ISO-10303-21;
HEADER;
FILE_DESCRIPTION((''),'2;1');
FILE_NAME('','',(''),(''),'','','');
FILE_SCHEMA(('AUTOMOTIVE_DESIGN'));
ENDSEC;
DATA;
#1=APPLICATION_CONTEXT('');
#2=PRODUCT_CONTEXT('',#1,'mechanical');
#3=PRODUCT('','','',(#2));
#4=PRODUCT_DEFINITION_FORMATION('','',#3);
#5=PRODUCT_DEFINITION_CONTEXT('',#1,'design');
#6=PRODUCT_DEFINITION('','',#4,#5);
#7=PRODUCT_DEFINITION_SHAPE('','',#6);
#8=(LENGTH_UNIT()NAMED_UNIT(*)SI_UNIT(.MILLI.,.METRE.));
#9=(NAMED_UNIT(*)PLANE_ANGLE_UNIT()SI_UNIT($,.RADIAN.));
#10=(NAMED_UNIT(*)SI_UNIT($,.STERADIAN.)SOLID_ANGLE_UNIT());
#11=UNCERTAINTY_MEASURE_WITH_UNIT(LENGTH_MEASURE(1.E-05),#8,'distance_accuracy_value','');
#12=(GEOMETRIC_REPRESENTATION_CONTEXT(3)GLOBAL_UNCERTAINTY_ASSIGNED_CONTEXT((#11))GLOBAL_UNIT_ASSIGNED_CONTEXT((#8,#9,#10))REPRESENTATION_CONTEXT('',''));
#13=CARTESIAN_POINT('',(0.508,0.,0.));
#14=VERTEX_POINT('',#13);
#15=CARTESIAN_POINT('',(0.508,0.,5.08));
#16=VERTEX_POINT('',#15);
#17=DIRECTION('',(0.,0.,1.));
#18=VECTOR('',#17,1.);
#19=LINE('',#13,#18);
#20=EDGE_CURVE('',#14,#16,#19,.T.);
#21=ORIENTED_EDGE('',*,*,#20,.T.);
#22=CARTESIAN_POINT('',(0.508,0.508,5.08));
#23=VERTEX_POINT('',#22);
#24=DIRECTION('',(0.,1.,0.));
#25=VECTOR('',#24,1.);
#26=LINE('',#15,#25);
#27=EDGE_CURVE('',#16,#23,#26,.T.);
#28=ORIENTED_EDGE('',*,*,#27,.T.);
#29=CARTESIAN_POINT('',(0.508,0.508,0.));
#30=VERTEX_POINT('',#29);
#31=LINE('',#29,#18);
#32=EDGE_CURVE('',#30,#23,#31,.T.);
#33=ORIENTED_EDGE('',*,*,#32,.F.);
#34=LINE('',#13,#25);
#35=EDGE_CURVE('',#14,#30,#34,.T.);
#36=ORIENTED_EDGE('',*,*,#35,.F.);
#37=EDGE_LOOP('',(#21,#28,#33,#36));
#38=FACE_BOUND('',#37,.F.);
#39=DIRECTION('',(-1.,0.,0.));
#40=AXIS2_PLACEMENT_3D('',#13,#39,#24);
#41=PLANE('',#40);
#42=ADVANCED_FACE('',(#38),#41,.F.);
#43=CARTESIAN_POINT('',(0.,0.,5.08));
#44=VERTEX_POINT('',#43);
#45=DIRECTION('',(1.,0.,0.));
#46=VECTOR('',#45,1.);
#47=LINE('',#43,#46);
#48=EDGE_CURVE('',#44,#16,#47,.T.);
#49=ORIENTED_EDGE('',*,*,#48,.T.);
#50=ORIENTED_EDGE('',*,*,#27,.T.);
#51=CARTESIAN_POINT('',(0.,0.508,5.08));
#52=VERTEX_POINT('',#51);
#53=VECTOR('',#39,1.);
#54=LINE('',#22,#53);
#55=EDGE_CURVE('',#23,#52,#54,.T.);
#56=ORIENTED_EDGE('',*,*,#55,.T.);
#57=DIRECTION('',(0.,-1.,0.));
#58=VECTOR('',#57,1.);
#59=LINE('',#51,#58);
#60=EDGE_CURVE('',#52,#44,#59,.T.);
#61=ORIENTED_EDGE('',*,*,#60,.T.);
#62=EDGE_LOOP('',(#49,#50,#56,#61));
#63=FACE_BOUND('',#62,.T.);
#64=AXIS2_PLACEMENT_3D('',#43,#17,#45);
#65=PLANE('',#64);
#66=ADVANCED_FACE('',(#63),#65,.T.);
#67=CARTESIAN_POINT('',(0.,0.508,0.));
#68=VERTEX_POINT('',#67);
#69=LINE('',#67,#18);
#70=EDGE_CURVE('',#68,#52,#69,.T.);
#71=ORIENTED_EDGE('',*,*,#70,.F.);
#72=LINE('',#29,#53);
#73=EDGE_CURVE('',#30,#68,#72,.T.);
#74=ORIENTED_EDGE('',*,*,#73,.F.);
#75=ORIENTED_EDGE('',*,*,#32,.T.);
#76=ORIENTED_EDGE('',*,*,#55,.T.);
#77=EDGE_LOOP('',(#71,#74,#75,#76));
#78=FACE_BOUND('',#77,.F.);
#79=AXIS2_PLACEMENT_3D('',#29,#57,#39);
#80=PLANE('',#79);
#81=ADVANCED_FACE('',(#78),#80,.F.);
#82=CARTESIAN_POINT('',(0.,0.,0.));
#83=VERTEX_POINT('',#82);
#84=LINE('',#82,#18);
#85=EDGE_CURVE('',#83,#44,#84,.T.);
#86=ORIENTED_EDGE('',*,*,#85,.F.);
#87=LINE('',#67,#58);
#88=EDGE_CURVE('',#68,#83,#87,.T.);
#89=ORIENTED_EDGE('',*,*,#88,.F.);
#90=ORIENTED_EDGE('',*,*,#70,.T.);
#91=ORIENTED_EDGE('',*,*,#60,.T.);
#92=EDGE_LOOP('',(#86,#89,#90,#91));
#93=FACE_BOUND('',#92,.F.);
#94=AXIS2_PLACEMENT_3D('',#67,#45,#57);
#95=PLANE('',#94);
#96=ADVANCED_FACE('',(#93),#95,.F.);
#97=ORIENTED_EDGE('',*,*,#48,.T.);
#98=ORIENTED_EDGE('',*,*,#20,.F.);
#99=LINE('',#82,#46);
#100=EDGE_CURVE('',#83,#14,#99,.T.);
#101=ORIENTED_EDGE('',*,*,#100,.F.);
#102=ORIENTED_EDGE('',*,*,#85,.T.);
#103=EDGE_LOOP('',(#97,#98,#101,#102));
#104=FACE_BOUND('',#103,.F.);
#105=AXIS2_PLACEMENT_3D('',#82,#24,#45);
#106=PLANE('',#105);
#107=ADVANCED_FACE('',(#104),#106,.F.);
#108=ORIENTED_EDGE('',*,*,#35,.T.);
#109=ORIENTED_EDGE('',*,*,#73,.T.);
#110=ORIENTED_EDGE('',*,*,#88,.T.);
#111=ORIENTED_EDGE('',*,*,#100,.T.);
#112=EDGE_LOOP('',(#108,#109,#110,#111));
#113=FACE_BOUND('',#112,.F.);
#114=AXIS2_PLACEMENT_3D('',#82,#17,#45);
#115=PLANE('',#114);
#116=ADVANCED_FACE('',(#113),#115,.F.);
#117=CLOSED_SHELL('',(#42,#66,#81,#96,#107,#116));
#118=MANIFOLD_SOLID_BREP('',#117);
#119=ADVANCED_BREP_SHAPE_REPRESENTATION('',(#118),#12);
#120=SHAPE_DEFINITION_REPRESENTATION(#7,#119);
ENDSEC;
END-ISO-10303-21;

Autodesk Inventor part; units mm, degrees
ref_plane "YZ Plane" through (0, 0, 0) normal (1, 0, 0) x (0, 1, 0)
ref_plane "XZ Plane" through (0, 0, 0) normal (0, 1, 0) x (-1, 0, 0)
ref_plane "XY Plane" through (0, 0, 0) normal (0, 0, 1) x (1, 0, 0)
sketch "Sketch1" plane through (0, 0, 0) normal (0, 0, 1) x (1, 0, 0)
  line L0 (0, 0) -> (0.508, 0)
  line L1 (0.508, 0) -> (0.508, 0.508)
  line L2 (0.508, 0.508) -> (0, 0.508)
  line L3 (0, 0.508) -> (0, 0)
  dimension "d0" = 0.508
  dimension "d1" = 0.508
extrude "Extrusion1" add sketch "Sketch1" along normal blind 5.08
sketch "Sketch2" plane through (0, 0, 5.08) normal (0, 0, 1) x (1, 0, 0)
  line L0 (0.508, 0.508) -> (0.508, 0) projected
  line L1 (0, 0.508) -> (0.508, 0.508) projected
  line L2 (0, 0) -> (0, 0.508) projected
  line L3 (0.508, 0) -> (0, 0) projected
  circle A0 centre (0.254, 0.254) radius 0.254
properties part number "IC_pin" material "Stainless Steel"
